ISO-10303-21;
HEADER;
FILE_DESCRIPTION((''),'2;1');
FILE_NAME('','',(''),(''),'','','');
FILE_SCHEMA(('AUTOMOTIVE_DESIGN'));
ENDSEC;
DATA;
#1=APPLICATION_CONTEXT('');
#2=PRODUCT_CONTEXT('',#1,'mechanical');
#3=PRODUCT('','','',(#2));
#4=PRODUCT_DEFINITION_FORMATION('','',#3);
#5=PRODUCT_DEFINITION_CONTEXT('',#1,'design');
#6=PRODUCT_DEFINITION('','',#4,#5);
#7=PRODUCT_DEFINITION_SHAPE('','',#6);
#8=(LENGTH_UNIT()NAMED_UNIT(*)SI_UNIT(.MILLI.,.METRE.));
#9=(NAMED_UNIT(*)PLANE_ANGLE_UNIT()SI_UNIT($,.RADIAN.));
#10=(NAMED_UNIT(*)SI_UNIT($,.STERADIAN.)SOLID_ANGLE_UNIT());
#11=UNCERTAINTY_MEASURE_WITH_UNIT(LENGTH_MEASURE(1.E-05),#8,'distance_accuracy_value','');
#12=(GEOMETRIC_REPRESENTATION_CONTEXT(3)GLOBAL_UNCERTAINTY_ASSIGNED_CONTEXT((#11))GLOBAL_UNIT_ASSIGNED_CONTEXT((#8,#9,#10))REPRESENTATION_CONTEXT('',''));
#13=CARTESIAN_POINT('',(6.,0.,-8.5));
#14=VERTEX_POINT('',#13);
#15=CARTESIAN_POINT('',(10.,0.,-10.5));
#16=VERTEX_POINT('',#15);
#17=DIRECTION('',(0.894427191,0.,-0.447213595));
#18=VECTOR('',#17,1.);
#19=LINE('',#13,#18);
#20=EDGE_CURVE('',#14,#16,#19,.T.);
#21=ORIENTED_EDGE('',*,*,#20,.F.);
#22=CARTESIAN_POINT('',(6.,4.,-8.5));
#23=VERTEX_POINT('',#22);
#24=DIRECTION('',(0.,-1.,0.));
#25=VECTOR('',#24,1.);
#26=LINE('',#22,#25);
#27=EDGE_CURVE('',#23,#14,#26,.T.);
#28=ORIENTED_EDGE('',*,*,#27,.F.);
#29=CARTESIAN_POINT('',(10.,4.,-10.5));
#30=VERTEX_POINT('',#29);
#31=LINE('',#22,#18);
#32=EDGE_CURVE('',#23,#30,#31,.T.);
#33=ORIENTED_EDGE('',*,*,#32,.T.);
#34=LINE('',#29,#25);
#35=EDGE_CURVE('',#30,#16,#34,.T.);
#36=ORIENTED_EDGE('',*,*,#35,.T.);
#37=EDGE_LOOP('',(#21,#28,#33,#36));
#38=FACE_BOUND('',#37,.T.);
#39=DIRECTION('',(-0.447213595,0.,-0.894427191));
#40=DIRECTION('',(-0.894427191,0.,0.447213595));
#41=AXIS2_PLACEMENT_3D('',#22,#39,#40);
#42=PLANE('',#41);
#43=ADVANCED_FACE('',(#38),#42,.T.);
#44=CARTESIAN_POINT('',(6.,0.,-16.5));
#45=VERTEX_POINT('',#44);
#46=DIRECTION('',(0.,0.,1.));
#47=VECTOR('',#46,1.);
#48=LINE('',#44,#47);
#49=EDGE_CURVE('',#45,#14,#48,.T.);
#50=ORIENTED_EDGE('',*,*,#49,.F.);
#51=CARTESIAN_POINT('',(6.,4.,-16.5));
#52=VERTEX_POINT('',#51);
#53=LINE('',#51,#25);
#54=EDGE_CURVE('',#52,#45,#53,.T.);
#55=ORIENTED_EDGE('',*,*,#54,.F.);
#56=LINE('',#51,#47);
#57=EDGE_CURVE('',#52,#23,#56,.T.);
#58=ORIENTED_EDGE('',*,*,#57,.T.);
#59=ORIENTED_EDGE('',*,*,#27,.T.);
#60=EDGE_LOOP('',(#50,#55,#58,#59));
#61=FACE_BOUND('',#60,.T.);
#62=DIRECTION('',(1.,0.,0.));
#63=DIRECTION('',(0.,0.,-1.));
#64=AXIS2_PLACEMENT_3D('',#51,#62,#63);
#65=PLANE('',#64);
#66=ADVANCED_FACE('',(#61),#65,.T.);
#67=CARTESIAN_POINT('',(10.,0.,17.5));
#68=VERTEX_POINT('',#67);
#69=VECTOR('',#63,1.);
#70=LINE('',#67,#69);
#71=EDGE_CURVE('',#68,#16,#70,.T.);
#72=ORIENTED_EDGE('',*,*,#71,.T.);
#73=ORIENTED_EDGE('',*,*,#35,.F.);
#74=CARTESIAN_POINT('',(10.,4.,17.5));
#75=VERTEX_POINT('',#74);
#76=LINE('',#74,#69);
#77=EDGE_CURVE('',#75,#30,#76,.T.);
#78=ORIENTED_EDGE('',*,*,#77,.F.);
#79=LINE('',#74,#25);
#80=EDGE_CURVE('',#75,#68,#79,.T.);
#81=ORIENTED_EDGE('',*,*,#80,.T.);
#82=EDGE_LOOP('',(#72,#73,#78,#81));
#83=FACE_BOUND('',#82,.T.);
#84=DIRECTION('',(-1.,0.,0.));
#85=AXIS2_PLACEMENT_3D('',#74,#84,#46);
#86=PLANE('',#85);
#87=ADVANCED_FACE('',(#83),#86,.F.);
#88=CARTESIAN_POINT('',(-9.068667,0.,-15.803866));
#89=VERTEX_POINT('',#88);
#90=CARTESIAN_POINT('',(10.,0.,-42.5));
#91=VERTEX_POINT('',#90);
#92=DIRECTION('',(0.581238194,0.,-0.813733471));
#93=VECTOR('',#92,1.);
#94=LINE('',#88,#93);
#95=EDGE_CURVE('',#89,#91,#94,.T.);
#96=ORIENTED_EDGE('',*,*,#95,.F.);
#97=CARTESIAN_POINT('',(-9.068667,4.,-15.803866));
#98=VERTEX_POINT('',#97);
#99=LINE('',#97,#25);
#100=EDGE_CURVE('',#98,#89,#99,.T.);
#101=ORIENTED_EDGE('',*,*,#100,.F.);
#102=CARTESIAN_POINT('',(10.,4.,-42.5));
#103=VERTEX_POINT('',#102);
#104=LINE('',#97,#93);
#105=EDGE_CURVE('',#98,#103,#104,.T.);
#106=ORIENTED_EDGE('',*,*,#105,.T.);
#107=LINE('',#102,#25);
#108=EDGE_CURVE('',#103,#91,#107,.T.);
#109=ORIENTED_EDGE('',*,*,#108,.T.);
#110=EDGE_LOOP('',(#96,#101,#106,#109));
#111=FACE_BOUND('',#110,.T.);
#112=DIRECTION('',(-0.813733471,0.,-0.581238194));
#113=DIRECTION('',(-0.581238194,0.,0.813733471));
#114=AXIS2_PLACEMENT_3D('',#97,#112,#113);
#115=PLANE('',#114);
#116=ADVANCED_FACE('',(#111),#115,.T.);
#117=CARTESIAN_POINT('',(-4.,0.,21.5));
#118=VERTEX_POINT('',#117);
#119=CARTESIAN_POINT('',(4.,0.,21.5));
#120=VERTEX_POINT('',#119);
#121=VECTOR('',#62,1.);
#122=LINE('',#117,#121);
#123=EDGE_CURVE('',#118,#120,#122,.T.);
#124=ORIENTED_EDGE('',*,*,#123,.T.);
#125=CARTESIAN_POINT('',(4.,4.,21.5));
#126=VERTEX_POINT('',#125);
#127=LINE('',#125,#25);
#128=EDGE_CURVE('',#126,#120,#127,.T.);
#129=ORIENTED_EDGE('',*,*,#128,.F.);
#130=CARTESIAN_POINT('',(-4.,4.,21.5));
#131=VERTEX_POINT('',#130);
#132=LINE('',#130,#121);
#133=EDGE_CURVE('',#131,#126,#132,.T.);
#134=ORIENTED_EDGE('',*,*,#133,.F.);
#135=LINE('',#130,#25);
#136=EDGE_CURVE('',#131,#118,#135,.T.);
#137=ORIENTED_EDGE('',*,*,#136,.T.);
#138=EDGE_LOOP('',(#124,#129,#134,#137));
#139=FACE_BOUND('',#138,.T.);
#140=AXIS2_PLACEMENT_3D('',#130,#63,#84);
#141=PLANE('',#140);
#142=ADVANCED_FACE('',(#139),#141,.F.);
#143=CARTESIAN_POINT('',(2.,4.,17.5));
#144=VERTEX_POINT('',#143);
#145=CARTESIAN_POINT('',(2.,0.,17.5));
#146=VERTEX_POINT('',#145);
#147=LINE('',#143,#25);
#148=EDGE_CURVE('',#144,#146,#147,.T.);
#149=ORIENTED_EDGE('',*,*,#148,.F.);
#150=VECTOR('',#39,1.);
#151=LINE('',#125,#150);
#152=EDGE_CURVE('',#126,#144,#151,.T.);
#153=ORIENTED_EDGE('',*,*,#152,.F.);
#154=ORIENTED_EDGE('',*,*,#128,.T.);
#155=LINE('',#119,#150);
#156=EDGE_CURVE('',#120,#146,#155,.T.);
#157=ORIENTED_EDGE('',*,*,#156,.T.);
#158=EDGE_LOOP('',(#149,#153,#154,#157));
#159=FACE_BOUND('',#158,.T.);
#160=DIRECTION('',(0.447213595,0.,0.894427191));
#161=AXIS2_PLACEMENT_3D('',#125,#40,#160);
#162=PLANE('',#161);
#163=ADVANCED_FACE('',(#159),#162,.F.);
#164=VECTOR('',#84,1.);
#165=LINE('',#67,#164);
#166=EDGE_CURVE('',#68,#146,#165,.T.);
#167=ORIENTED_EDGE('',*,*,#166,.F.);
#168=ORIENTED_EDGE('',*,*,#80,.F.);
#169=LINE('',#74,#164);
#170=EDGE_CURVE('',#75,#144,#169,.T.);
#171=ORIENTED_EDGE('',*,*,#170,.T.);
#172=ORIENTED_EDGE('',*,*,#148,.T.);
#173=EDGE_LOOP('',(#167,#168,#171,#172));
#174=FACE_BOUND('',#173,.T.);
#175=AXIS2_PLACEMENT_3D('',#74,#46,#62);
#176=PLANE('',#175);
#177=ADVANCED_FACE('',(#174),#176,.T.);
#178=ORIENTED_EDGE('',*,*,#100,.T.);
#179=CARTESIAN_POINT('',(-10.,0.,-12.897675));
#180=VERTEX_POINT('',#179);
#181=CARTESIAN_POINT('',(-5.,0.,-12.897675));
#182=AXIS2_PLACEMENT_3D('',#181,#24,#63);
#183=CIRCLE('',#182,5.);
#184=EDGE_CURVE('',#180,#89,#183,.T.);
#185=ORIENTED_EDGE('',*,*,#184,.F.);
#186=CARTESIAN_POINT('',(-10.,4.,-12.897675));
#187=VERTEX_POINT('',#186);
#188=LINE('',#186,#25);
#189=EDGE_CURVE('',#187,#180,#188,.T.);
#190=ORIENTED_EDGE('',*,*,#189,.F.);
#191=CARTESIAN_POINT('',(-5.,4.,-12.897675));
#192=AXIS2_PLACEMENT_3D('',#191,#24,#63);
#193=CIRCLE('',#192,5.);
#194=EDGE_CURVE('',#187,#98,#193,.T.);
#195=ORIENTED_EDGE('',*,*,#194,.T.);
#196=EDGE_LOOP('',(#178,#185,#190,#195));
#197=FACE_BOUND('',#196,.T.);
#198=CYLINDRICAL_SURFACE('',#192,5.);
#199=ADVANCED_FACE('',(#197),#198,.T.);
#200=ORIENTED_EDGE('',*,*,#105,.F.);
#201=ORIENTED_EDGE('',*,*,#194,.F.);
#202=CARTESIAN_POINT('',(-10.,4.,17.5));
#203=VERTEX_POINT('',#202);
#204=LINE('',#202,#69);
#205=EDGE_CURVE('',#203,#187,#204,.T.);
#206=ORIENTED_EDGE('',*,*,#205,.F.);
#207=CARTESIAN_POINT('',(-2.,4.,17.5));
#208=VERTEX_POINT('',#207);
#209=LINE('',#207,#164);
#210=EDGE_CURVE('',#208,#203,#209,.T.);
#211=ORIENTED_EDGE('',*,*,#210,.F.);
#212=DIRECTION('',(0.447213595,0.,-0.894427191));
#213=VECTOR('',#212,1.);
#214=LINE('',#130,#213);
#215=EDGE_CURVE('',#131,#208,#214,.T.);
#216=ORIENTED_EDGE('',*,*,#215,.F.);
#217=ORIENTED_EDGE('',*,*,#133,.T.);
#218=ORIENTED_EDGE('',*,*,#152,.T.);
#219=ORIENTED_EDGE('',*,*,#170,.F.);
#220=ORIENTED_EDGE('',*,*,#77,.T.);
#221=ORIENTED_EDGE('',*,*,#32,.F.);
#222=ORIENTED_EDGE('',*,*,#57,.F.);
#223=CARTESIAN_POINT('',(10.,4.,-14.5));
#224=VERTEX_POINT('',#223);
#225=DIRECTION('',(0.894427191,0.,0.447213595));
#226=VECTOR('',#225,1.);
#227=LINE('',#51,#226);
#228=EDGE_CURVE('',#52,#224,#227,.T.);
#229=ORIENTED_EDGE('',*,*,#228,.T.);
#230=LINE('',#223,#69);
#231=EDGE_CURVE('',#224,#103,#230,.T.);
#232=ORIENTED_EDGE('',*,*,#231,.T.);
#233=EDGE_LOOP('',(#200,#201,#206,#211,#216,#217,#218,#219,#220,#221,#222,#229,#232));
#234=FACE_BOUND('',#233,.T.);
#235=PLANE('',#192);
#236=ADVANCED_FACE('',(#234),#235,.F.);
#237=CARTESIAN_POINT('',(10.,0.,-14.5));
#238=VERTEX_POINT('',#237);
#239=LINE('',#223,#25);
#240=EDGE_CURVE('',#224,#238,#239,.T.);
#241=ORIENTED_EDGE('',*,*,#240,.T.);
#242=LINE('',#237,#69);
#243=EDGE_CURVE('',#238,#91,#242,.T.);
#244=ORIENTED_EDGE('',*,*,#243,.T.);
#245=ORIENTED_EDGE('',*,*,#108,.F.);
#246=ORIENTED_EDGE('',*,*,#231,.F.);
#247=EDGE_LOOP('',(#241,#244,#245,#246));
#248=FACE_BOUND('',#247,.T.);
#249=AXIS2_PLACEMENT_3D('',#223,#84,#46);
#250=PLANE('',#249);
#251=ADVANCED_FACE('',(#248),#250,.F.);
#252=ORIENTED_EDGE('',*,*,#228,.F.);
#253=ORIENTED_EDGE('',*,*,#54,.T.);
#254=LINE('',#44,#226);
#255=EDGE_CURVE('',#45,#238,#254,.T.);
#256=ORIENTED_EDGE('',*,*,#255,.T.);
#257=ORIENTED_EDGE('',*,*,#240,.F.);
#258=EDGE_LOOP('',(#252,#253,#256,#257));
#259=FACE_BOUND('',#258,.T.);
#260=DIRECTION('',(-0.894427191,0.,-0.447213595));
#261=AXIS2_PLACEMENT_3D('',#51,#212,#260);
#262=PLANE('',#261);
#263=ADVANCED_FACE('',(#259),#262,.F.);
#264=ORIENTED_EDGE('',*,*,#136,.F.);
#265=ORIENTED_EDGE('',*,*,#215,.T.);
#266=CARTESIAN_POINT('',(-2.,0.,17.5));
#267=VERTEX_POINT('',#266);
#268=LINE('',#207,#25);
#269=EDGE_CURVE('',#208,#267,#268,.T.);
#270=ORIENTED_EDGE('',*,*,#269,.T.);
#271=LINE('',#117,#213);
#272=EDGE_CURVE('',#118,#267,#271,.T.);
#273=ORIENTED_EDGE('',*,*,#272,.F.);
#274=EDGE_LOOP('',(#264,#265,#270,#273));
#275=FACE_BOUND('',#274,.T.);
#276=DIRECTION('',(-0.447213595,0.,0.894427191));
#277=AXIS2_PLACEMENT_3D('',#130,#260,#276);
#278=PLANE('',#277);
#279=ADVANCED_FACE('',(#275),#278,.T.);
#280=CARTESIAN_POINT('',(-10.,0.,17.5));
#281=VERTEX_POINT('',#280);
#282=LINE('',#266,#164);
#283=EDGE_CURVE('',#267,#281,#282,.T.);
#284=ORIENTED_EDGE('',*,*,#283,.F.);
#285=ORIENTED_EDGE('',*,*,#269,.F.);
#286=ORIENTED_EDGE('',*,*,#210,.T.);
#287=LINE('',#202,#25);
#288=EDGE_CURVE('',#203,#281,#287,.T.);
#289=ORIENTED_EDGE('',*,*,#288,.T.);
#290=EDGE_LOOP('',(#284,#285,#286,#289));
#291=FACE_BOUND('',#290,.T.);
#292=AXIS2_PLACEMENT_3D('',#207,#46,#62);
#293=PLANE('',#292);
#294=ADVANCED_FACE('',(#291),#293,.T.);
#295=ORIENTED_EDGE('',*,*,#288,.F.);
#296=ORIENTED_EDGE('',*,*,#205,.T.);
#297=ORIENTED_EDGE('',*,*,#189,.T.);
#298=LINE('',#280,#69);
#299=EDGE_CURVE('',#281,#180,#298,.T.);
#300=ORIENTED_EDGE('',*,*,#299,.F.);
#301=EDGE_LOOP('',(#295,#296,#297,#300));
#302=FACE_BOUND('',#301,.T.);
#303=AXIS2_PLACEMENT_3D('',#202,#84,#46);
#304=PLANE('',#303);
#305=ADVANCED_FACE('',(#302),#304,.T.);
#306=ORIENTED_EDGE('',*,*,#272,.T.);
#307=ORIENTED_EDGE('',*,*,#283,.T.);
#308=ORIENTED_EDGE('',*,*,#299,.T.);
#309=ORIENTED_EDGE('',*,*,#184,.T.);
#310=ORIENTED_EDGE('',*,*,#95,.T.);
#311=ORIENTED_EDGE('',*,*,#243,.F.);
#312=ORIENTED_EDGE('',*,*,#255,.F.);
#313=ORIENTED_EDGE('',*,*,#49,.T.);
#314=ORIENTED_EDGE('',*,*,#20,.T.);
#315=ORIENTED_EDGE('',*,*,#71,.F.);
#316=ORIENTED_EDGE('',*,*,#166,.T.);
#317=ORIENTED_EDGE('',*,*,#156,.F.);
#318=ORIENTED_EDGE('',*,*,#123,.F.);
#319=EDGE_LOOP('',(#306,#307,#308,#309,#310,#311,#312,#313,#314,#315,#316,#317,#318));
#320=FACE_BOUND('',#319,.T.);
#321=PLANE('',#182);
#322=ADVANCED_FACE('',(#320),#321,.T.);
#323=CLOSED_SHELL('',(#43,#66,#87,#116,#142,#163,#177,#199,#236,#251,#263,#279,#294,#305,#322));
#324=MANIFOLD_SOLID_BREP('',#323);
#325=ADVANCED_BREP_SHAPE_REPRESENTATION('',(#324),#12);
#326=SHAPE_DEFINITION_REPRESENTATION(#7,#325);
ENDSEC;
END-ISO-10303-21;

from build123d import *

# Parameters (mm, degrees)
EXTRUDE_1_DEPTH = 4


with BuildPart() as part:
    # Эскиз1 → Бобышка-Вытянуть1 (new body)
    with BuildSketch(Plane(origin=(0, 0, 0), x_dir=(1, 0, 0), z_dir=(0, 1, 0))):
        with BuildLine():
            Line((10, -17.5), (2, -17.5))
            Line((2, -17.5), (4, -21.5))
            Line((4, -21.5), (-4, -21.5))
            Line((-4, -21.5), (-2, -17.5))
            Line((-2, -17.5), (-10, -17.5))
            Line((-10, -17.5), (-10, 12.897674733))
            ThreePointArc((-10, 12.897674733), (-9.761477543, 14.423561888), (-9.068667356, 15.803865702))
            Line((-9.068667356, 15.803865702), (10, 42.5))
            Line((10, 42.5), (10, 14.5))
            Line((10, 14.5), (6, 16.5))
            Line((6, 16.5), (6, 8.5))
            Line((6, 8.5), (10, 10.5))
            Line((10, 10.5), (10, -17.5))
        make_face()
    extrude(amount=EXTRUDE_1_DEPTH)


solid = part.part
